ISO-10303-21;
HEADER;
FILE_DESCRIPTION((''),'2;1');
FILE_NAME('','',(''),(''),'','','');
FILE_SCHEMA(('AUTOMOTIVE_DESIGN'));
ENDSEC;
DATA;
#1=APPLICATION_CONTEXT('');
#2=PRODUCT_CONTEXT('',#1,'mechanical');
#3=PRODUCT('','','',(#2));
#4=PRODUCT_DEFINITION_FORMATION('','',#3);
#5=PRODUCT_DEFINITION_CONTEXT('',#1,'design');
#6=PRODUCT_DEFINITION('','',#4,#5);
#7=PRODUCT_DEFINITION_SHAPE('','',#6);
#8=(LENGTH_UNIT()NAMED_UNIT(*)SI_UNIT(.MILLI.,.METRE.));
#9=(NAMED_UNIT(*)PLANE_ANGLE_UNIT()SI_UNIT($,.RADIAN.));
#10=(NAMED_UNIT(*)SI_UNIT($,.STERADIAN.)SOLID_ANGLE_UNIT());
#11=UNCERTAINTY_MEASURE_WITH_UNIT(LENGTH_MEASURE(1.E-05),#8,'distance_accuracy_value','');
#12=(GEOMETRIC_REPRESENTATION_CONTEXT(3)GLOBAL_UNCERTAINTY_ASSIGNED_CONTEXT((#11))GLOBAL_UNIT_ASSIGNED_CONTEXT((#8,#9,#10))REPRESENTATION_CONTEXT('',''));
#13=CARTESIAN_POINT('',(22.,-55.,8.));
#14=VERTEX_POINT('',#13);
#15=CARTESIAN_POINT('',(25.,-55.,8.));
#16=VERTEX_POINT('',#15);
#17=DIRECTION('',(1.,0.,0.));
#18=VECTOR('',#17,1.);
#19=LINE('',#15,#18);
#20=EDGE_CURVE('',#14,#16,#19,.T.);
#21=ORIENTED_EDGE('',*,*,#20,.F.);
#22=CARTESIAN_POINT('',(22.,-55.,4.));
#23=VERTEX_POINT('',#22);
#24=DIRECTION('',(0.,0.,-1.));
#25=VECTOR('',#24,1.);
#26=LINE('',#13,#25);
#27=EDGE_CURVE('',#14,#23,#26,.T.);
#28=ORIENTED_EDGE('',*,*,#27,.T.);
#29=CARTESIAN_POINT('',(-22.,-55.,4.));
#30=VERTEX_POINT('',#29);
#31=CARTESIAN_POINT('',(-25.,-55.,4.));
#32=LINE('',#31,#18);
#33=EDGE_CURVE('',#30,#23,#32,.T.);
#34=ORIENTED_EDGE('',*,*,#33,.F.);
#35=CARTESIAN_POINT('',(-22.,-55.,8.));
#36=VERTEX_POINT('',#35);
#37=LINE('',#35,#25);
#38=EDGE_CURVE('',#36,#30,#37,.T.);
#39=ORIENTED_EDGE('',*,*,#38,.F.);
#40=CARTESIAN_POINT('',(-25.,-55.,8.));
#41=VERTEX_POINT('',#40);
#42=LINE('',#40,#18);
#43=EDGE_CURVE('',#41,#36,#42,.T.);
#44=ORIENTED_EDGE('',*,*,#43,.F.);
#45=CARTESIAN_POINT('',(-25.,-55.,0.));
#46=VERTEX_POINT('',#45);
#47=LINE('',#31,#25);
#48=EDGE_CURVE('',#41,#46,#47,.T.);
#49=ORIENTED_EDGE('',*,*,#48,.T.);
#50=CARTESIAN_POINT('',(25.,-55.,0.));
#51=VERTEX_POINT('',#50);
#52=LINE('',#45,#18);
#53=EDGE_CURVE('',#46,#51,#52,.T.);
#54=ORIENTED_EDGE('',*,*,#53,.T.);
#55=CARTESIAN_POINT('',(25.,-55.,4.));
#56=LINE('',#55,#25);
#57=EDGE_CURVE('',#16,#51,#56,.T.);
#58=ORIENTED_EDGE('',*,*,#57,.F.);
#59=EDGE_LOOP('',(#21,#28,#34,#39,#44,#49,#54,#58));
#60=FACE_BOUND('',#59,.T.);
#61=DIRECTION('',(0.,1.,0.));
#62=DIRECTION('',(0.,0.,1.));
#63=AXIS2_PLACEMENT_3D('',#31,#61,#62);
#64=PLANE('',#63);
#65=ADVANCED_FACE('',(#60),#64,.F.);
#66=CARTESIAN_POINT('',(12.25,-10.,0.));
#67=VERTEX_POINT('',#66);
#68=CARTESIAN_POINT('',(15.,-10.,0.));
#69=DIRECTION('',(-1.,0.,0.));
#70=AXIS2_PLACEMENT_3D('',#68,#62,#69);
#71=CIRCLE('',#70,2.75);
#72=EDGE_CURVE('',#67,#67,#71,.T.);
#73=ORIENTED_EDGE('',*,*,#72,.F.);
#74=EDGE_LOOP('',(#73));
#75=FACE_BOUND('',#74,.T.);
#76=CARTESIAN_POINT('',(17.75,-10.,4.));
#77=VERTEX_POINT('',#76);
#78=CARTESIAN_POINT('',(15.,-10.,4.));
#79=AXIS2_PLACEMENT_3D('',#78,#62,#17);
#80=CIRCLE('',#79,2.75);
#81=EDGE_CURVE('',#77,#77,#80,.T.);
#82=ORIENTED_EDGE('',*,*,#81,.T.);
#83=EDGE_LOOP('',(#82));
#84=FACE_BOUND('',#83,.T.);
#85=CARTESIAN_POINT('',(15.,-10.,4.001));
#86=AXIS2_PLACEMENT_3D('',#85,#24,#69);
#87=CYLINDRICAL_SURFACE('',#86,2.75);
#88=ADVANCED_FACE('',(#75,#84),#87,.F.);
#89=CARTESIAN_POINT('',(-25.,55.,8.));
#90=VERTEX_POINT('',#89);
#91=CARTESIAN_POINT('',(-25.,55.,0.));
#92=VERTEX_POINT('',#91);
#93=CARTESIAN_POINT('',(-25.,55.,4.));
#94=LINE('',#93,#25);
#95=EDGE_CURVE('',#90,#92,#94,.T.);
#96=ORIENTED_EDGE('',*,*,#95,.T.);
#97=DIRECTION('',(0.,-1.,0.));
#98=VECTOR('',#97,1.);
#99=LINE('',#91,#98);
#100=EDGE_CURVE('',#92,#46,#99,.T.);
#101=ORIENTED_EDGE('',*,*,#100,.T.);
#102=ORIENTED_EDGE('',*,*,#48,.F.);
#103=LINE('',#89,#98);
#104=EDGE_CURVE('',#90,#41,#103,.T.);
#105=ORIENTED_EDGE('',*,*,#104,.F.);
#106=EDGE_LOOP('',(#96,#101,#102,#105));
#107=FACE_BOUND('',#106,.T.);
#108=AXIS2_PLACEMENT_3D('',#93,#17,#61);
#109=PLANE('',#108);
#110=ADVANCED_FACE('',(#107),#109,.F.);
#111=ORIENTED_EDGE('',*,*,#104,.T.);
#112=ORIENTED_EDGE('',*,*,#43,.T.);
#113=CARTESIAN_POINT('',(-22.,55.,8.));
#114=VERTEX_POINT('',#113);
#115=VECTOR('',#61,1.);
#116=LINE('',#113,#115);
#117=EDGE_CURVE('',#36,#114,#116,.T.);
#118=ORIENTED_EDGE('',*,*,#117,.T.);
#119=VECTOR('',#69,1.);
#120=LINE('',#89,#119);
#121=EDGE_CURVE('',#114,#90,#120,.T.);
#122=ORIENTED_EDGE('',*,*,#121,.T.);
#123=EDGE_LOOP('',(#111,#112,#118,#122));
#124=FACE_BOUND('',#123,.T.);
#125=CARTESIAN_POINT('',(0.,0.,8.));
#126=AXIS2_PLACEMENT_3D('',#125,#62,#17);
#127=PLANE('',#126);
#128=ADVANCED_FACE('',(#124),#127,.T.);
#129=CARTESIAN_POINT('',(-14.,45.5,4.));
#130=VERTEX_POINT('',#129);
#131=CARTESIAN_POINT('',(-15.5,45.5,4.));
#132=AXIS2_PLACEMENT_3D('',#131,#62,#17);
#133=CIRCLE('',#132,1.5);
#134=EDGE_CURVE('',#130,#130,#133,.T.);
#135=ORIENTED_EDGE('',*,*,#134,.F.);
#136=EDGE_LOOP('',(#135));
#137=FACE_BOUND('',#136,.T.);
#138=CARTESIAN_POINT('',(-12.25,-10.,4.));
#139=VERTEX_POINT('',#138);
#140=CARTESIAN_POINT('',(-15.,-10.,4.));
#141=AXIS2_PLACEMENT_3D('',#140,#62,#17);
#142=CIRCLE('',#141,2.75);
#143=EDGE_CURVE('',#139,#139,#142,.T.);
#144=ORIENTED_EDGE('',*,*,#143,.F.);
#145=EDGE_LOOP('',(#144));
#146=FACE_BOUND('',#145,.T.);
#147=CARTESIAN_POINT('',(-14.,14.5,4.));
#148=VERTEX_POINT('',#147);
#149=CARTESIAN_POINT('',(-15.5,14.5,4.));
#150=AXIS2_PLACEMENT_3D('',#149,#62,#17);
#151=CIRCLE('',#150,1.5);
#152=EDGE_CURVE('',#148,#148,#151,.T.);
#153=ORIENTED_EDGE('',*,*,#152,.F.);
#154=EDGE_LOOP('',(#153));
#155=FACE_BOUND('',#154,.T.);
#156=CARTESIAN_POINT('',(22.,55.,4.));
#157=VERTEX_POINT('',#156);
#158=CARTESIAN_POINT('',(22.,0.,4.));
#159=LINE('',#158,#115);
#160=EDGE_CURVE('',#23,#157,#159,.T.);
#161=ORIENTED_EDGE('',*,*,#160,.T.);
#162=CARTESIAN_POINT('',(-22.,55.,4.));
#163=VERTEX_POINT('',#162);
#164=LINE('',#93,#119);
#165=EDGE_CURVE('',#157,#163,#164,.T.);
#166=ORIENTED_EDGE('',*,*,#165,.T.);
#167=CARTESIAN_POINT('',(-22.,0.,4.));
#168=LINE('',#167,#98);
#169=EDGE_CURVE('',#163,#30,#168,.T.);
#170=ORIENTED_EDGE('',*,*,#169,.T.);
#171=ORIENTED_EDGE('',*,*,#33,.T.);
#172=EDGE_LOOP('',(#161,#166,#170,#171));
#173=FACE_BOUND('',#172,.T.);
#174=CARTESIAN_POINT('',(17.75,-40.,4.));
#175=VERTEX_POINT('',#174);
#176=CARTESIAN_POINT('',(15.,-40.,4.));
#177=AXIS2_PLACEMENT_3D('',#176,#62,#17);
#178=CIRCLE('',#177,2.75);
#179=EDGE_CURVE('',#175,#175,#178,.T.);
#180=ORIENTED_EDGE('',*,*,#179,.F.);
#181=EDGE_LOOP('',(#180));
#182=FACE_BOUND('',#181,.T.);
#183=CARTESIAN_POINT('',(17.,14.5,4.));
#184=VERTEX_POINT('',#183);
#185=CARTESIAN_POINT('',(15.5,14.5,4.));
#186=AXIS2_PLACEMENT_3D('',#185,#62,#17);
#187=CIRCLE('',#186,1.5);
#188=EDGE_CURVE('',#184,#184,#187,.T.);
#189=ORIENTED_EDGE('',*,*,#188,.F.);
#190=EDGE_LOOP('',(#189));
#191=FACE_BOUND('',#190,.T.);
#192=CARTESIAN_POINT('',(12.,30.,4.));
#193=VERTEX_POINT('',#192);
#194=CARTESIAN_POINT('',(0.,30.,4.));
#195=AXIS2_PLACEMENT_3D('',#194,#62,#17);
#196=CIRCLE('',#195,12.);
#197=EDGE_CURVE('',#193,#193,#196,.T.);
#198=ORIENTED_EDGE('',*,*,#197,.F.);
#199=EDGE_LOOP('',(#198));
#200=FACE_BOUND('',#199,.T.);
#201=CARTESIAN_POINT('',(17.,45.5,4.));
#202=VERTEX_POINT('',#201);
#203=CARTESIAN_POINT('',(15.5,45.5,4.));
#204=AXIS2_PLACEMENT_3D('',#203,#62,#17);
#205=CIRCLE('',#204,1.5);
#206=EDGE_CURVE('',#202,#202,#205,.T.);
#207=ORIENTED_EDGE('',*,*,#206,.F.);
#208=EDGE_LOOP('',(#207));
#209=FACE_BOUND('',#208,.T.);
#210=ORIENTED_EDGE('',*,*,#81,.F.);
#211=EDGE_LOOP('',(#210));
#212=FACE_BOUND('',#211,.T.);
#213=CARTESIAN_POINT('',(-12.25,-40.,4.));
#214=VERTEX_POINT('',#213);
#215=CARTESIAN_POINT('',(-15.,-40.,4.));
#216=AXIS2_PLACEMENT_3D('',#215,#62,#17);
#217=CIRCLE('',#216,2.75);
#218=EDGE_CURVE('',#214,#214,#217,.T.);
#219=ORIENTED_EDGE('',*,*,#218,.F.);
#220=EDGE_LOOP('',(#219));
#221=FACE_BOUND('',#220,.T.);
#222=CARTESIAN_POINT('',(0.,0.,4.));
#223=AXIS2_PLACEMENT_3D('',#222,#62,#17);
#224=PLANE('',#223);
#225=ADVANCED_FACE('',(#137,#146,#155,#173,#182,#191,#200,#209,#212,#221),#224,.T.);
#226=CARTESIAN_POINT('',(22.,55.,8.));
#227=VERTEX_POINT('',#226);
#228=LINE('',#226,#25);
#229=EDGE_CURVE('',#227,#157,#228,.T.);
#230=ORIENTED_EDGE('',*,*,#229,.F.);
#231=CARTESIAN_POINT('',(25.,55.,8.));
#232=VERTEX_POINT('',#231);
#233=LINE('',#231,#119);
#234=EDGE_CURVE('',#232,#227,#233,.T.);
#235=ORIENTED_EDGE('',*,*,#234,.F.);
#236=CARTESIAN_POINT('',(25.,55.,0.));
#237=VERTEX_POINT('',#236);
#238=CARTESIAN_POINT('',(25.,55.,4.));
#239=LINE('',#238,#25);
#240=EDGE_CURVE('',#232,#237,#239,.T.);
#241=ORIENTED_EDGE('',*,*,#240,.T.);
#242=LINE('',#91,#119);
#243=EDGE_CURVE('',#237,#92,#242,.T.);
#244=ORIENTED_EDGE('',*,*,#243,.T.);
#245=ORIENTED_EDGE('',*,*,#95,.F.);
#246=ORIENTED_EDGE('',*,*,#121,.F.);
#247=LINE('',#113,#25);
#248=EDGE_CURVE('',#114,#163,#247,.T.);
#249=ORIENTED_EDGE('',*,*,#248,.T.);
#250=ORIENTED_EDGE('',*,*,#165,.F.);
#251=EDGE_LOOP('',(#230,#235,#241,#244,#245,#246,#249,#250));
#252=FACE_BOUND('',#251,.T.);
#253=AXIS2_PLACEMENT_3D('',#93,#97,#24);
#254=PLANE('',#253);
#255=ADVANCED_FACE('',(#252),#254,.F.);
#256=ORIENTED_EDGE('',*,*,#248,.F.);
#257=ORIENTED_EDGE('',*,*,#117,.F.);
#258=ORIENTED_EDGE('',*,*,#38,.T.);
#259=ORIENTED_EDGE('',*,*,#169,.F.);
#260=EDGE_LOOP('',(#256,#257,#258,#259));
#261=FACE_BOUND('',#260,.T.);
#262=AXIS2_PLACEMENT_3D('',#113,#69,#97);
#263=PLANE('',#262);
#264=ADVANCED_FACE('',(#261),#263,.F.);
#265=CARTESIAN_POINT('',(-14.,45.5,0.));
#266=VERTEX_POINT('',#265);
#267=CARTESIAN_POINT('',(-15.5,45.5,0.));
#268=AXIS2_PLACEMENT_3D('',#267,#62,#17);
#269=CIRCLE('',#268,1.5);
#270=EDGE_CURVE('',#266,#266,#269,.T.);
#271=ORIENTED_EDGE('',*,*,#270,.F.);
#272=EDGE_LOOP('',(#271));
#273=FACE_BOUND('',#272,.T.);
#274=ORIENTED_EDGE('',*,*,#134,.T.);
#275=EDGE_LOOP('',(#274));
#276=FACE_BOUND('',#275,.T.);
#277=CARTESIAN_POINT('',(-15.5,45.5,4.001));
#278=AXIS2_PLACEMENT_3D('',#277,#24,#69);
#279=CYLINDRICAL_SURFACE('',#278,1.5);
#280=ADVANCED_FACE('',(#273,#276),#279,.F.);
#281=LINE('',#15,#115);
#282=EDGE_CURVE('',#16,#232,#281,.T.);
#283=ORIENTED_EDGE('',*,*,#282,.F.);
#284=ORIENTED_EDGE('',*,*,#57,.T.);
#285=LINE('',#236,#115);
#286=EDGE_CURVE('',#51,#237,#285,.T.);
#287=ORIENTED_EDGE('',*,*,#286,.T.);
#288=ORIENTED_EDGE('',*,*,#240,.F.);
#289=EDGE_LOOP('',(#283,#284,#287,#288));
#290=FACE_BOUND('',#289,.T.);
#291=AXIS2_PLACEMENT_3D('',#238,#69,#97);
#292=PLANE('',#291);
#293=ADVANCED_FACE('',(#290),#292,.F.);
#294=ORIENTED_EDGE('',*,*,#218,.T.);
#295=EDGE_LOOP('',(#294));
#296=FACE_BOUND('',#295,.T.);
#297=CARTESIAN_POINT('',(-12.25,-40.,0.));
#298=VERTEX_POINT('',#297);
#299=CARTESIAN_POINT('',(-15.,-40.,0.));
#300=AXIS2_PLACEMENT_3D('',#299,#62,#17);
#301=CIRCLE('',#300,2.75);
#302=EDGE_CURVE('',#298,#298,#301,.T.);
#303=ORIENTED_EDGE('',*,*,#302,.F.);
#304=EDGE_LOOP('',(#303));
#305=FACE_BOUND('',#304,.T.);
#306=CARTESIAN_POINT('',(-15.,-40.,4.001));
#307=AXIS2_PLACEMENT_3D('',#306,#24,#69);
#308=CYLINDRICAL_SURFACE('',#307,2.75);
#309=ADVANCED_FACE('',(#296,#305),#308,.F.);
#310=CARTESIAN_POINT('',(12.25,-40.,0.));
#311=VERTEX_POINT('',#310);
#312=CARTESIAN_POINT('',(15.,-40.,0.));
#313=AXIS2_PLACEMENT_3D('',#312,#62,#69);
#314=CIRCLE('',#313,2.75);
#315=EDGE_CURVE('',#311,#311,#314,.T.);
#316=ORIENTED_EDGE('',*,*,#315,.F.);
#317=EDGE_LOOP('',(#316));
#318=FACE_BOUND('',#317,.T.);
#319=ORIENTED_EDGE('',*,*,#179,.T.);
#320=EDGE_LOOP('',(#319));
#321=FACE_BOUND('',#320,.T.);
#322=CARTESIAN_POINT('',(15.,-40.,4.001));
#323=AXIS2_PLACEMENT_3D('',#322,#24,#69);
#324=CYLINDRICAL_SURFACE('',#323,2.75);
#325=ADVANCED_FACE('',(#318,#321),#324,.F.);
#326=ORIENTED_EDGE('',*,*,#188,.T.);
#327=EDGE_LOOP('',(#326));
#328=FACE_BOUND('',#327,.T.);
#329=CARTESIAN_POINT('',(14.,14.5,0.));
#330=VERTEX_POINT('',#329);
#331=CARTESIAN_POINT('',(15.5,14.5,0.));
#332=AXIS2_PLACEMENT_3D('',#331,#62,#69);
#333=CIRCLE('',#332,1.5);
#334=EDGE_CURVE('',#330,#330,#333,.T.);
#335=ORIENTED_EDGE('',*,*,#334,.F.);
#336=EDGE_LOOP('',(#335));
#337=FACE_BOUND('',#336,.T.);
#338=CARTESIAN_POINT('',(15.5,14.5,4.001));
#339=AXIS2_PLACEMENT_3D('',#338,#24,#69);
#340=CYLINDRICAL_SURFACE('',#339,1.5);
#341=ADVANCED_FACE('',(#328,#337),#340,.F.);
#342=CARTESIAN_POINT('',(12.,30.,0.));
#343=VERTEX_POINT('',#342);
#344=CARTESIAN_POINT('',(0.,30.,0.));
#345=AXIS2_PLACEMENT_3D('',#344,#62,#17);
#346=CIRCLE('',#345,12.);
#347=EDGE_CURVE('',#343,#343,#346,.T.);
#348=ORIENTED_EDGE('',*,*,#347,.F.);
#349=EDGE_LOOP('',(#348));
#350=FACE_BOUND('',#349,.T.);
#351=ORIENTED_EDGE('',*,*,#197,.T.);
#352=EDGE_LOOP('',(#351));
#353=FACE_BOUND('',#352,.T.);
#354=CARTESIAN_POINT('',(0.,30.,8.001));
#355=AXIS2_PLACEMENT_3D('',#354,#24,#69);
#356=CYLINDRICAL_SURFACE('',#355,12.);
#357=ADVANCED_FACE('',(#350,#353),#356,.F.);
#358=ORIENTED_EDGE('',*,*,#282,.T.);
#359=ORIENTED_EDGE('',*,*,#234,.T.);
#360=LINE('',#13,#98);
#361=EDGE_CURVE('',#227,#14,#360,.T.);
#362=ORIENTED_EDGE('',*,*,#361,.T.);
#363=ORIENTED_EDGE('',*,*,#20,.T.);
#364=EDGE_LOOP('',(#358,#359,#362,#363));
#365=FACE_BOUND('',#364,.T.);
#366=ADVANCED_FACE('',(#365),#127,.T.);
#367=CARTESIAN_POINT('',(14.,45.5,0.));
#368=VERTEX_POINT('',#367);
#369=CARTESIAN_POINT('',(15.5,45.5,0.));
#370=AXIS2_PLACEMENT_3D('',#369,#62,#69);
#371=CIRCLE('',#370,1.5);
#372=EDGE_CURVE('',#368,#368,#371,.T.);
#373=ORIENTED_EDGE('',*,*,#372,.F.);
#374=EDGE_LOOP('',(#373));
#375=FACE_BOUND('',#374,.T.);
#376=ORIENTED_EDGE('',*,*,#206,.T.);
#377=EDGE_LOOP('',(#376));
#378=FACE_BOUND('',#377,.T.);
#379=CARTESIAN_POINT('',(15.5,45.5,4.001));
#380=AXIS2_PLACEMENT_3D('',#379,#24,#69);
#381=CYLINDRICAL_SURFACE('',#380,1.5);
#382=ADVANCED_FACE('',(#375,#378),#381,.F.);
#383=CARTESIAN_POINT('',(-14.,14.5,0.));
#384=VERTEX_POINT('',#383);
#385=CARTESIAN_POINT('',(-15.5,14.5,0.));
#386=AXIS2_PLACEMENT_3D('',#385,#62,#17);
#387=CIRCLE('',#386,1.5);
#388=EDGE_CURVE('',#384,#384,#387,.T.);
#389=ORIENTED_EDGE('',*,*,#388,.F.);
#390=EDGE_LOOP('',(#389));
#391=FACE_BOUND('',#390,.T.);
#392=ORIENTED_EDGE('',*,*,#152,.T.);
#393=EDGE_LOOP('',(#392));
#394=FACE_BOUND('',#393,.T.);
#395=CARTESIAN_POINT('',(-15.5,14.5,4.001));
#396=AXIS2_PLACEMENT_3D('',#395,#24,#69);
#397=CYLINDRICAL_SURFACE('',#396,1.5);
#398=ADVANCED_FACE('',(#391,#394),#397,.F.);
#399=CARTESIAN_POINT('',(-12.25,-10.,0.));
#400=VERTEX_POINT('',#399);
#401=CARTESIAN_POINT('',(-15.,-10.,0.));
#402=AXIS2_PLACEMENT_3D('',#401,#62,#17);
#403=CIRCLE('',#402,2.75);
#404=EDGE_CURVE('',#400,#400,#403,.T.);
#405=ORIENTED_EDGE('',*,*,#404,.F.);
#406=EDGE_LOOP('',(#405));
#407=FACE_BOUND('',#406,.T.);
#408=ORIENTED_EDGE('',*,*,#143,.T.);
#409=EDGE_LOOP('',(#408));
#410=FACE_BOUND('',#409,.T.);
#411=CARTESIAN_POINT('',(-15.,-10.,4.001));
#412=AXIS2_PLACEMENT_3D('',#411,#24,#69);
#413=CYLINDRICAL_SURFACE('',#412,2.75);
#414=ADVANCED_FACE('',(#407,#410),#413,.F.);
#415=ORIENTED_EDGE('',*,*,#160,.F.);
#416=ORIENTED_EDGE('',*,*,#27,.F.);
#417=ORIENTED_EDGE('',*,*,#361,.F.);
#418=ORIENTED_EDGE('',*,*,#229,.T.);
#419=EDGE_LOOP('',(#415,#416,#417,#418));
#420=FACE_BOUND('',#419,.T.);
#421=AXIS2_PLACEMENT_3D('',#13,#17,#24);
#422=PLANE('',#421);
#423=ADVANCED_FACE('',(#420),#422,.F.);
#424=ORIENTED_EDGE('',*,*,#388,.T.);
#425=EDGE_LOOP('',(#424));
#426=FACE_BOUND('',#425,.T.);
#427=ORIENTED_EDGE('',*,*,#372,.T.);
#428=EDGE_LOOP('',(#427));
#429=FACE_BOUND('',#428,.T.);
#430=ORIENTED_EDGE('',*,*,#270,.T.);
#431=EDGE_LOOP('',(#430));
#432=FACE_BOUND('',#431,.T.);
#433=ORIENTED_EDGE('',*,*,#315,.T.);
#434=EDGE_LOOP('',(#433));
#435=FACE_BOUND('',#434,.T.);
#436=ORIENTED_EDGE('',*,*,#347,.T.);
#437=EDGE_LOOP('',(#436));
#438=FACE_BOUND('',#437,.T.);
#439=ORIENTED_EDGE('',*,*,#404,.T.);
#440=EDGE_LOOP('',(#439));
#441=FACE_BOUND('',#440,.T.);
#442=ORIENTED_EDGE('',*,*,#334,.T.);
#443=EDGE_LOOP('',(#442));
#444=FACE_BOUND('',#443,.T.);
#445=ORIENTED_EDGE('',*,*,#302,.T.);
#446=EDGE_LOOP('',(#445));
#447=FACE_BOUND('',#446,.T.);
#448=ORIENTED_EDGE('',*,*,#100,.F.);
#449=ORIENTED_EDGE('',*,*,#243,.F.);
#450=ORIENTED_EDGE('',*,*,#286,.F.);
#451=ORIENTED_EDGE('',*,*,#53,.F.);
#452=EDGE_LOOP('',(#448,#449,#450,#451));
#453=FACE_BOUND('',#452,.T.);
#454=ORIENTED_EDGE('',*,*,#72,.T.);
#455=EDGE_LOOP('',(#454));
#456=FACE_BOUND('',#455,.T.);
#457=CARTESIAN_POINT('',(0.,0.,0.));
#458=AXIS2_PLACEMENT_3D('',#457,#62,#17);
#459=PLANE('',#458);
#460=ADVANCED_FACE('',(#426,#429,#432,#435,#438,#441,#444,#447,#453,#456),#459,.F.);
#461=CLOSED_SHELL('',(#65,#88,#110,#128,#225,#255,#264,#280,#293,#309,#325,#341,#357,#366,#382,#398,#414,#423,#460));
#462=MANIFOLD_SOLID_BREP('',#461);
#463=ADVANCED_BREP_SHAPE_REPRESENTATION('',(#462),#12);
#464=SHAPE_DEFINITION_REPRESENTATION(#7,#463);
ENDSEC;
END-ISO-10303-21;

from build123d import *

# Parameters (mm, degrees)
SKETCH1_W           = 50
SKETCH1_H           = 110
BOSS_EXTRUDE1_DEPTH = 4
CUT_EXTRUDE1_REACH  = 62.548
SKETCH2_R           = 1.5
CUT_EXTRUDE2_REACH  = 62.548
SKETCH3_R           = 2.75
SKETCH4_W           = 3
SKETCH4_H           = 110
BOSS_EXTRUDE2_DEPTH = 8
CUT_EXTRUDE3_REACH  = 62.943
SKETCH5_R           = 12


with BuildPart() as part:
    # Sketch1 → Boss-Extrude1 (new body)
    with BuildSketch(Plane.XY):
        Rectangle(SKETCH1_W, SKETCH1_H)
    extrude(amount=BOSS_EXTRUDE1_DEPTH)

    # Sketch2 → Cut-Extrude1 (cut, up to next)
    with BuildSketch(Plane.XY, mode=Mode.PRIVATE) as cut_extrude1_sk1:
        with Locations((-15.5, 45.5)):
            Circle(SKETCH2_R)
    cut_extrude1_tool1 = extrude(cut_extrude1_sk1.sketch, amount=CUT_EXTRUDE1_REACH, mode=Mode.PRIVATE) & part.part
    # Sketch2 → Cut-Extrude1 (cut, up to next)
    with BuildSketch(Plane.XY, mode=Mode.PRIVATE) as cut_extrude1_sk2:
        with Locations((-15.5, 14.5)):
            Circle(SKETCH2_R)
    cut_extrude1_tool2 = extrude(cut_extrude1_sk2.sketch, amount=CUT_EXTRUDE1_REACH, mode=Mode.PRIVATE) & part.part
    # Sketch2 → Cut-Extrude1 (cut, up to next)
    with BuildSketch(Plane.XY, mode=Mode.PRIVATE) as cut_extrude1_sk3:
        with Locations(Location((15.5, 14.5, 0), (0, 0, 180))):
            Circle(SKETCH2_R)
    cut_extrude1_tool3 = extrude(cut_extrude1_sk3.sketch, amount=CUT_EXTRUDE1_REACH, mode=Mode.PRIVATE) & part.part
    # Sketch2 → Cut-Extrude1 (cut, up to next)
    with BuildSketch(Plane.XY, mode=Mode.PRIVATE) as cut_extrude1_sk4:
        with Locations(Location((15.5, 45.5, 0), (0, 0, 180))):
            Circle(SKETCH2_R)
    cut_extrude1_tool4 = extrude(cut_extrude1_sk4.sketch, amount=CUT_EXTRUDE1_REACH, mode=Mode.PRIVATE) & part.part
    add(cut_extrude1_tool1.solids().sort_by_distance((-15.5, 45.5, 0))[0], mode=Mode.SUBTRACT)
    add(cut_extrude1_tool2.solids().sort_by_distance((-15.5, 14.5, 0))[0], mode=Mode.SUBTRACT)
    add(cut_extrude1_tool3.solids().sort_by_distance((15.5, 14.5, 0))[0], mode=Mode.SUBTRACT)
    add(cut_extrude1_tool4.solids().sort_by_distance((15.5, 45.5, 0))[0], mode=Mode.SUBTRACT)

    # Sketch3 → Cut-Extrude2 (cut, up to next)
    with BuildSketch(Plane.XY, mode=Mode.PRIVATE) as cut_extrude2_sk1:
        with Locations((-15, -40)):
            Circle(SKETCH3_R)
    cut_extrude2_tool1 = extrude(cut_extrude2_sk1.sketch, amount=CUT_EXTRUDE2_REACH, mode=Mode.PRIVATE) & part.part
    # Sketch3 → Cut-Extrude2 (cut, up to next)
    with BuildSketch(Plane.XY, mode=Mode.PRIVATE) as cut_extrude2_sk2:
        with Locations((-15, -10)):
            Circle(SKETCH3_R)
    cut_extrude2_tool2 = extrude(cut_extrude2_sk2.sketch, amount=CUT_EXTRUDE2_REACH, mode=Mode.PRIVATE) & part.part
    # Sketch3 → Cut-Extrude2 (cut, up to next)
    with BuildSketch(Plane.XY, mode=Mode.PRIVATE) as cut_extrude2_sk3:
        with Locations(Location((15, -40, 0), (0, 0, 180))):
            Circle(SKETCH3_R)
    cut_extrude2_tool3 = extrude(cut_extrude2_sk3.sketch, amount=CUT_EXTRUDE2_REACH, mode=Mode.PRIVATE) & part.part
    # Sketch3 → Cut-Extrude2 (cut, up to next)
    with BuildSketch(Plane.XY, mode=Mode.PRIVATE) as cut_extrude2_sk4:
        with Locations(Location((15, -10, 0), (0, 0, 180))):
            Circle(SKETCH3_R)
    cut_extrude2_tool4 = extrude(cut_extrude2_sk4.sketch, amount=CUT_EXTRUDE2_REACH, mode=Mode.PRIVATE) & part.part
    add(cut_extrude2_tool1.solids().sort_by_distance((-15, -40, 0))[0], mode=Mode.SUBTRACT)
    add(cut_extrude2_tool2.solids().sort_by_distance((-15, -10, 0))[0], mode=Mode.SUBTRACT)
    add(cut_extrude2_tool3.solids().sort_by_distance((15, -40, 0))[0], mode=Mode.SUBTRACT)
    add(cut_extrude2_tool4.solids().sort_by_distance((15, -10, 0))[0], mode=Mode.SUBTRACT)

    # Sketch4 → Boss-Extrude2 (add)
    with BuildSketch(Plane.XY):
        with Locations((-23.5, 0)):
            Rectangle(SKETCH4_W, SKETCH4_H)
        with Locations((23.5, 0)):
            Rectangle(SKETCH4_W, SKETCH4_H)
    extrude(amount=BOSS_EXTRUDE2_DEPTH)

    # Sketch5 → Cut-Extrude3 (cut, up to next)
    with BuildSketch(Plane.XY, mode=Mode.PRIVATE) as cut_extrude3_sk1:
        with Locations((0, 30)):
            Circle(SKETCH5_R)
    cut_extrude3_tool1 = extrude(cut_extrude3_sk1.sketch, amount=CUT_EXTRUDE3_REACH, mode=Mode.PRIVATE) & part.part
    add(cut_extrude3_tool1.solids().sort_by_distance((0, 30, 0))[0], mode=Mode.SUBTRACT)


solid = part.part
